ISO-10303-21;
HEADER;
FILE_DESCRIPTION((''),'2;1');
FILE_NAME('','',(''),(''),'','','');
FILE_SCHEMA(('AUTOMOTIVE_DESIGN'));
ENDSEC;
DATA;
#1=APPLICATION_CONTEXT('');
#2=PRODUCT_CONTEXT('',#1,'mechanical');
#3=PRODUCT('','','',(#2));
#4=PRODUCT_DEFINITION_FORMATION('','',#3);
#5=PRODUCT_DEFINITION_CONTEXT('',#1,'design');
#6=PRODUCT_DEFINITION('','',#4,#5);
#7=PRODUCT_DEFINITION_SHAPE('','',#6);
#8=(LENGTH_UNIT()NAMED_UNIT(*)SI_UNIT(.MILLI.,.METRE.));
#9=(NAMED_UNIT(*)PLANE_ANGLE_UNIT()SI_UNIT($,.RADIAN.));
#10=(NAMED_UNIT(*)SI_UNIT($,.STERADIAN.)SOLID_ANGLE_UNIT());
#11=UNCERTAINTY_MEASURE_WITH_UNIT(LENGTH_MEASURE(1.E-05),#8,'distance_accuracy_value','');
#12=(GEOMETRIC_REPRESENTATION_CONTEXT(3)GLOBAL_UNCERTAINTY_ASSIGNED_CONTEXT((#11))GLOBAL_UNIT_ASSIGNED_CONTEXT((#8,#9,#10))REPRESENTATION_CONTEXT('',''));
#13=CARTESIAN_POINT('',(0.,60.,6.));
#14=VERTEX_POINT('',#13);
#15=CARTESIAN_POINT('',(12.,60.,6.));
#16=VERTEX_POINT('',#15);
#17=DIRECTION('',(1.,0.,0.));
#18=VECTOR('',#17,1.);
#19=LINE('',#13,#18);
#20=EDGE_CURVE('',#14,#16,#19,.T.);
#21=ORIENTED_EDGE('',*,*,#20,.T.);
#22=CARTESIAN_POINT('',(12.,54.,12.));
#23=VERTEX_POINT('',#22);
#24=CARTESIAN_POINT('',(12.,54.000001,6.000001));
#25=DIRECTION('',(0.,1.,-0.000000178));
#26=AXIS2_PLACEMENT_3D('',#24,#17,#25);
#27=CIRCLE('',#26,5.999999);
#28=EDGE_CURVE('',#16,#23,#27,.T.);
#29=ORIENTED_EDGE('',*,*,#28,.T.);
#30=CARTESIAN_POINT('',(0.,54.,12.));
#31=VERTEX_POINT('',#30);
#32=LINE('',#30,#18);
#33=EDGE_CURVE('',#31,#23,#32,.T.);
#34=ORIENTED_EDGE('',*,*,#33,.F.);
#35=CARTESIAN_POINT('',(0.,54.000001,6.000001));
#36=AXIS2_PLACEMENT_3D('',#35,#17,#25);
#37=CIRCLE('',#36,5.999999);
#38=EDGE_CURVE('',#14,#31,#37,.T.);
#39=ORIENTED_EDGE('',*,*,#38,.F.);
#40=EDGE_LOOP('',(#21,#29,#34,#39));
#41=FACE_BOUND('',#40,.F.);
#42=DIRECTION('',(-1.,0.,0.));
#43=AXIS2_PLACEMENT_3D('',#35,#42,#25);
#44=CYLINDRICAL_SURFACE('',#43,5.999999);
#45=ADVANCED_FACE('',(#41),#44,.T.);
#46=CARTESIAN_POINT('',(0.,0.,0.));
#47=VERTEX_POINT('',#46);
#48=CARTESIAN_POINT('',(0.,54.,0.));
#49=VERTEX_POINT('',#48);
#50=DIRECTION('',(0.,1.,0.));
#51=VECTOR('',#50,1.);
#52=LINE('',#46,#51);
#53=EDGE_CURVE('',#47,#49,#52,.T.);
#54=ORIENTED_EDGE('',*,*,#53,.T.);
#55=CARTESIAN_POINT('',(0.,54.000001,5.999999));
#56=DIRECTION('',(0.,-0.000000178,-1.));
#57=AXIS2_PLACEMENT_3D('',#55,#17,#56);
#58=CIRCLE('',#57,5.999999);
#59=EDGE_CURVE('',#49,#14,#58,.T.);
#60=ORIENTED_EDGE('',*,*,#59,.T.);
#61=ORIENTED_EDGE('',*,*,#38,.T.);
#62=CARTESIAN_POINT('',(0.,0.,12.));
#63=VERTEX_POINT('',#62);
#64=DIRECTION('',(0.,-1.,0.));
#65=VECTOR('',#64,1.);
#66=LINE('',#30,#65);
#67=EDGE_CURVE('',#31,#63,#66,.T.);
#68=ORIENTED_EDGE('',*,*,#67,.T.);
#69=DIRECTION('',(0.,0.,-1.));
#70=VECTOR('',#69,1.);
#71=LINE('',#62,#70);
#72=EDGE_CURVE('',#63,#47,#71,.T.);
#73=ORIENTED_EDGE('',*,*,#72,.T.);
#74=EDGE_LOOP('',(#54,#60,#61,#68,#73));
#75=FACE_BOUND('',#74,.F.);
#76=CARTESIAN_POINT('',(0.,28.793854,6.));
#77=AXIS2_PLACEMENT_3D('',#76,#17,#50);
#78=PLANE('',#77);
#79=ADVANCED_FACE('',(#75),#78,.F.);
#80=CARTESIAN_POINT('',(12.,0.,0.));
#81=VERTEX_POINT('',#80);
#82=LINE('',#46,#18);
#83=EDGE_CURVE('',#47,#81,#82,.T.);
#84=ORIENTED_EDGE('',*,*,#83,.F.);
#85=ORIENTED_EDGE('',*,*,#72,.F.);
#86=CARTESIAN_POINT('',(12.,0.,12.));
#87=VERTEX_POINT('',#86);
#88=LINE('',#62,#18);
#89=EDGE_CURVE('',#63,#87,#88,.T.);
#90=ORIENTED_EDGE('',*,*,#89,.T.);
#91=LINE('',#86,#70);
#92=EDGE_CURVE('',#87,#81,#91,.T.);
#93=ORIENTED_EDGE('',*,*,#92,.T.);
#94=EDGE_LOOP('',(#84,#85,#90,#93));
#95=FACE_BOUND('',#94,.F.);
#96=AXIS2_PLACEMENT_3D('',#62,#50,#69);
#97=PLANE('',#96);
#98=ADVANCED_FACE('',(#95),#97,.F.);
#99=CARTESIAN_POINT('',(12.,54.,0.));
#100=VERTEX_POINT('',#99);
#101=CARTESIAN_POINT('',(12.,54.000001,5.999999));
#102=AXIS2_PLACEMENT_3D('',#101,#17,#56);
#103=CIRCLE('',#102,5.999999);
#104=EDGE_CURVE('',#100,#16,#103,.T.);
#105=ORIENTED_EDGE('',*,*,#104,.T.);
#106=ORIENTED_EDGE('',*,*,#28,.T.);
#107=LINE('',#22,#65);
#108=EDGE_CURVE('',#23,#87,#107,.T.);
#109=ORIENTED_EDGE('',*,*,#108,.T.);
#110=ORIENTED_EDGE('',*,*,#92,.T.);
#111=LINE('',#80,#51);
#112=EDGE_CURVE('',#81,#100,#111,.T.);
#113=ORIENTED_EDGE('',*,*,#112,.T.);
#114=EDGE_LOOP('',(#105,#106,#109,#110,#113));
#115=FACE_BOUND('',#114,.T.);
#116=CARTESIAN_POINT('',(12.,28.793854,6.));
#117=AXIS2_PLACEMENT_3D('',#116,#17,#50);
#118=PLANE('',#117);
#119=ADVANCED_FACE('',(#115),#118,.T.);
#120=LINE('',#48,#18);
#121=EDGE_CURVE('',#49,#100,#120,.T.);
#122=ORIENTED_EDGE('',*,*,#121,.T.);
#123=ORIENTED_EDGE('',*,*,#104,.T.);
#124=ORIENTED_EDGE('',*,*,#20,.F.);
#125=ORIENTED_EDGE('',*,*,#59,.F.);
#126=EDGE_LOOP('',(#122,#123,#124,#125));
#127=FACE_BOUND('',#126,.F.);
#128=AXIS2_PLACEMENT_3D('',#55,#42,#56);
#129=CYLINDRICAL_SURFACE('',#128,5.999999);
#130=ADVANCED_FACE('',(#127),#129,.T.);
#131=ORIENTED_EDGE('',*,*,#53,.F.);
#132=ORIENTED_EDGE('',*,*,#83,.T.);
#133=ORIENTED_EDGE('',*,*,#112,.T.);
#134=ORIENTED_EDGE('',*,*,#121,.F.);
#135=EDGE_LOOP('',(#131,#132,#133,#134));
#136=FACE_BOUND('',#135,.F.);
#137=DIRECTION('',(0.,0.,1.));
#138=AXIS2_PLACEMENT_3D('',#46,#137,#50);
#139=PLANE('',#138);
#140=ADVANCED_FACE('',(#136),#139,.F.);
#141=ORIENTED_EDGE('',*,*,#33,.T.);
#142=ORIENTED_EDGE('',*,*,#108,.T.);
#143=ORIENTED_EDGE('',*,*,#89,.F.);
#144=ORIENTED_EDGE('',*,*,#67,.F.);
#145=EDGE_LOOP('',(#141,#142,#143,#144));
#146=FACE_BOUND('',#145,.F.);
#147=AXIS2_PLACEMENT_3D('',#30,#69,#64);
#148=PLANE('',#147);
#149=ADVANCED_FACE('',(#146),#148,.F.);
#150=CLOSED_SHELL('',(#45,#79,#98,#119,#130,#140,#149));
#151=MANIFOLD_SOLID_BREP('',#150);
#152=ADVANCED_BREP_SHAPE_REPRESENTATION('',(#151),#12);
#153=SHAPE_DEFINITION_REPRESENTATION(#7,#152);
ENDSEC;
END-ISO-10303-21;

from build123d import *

# Parameters (mm, degrees)
F1_DEPTH = 12


with BuildPart() as f1:
    # F0 (on Right) → F1 (new body)
    with BuildSketch(Plane.YZ):
        with BuildLine():
            Line((0, 12), (0, 0))
            Line((0, 0), (54, 0))
            ThreePointArc((54, 0), (58.242641, 1.757359), (60, 6))
            ThreePointArc((60, 6), (58.242641, 10.242641), (54, 12))
            Line((54, 12), (0, 12))
        make_face()
    extrude(amount=F1_DEPTH)


solid = f1.part
